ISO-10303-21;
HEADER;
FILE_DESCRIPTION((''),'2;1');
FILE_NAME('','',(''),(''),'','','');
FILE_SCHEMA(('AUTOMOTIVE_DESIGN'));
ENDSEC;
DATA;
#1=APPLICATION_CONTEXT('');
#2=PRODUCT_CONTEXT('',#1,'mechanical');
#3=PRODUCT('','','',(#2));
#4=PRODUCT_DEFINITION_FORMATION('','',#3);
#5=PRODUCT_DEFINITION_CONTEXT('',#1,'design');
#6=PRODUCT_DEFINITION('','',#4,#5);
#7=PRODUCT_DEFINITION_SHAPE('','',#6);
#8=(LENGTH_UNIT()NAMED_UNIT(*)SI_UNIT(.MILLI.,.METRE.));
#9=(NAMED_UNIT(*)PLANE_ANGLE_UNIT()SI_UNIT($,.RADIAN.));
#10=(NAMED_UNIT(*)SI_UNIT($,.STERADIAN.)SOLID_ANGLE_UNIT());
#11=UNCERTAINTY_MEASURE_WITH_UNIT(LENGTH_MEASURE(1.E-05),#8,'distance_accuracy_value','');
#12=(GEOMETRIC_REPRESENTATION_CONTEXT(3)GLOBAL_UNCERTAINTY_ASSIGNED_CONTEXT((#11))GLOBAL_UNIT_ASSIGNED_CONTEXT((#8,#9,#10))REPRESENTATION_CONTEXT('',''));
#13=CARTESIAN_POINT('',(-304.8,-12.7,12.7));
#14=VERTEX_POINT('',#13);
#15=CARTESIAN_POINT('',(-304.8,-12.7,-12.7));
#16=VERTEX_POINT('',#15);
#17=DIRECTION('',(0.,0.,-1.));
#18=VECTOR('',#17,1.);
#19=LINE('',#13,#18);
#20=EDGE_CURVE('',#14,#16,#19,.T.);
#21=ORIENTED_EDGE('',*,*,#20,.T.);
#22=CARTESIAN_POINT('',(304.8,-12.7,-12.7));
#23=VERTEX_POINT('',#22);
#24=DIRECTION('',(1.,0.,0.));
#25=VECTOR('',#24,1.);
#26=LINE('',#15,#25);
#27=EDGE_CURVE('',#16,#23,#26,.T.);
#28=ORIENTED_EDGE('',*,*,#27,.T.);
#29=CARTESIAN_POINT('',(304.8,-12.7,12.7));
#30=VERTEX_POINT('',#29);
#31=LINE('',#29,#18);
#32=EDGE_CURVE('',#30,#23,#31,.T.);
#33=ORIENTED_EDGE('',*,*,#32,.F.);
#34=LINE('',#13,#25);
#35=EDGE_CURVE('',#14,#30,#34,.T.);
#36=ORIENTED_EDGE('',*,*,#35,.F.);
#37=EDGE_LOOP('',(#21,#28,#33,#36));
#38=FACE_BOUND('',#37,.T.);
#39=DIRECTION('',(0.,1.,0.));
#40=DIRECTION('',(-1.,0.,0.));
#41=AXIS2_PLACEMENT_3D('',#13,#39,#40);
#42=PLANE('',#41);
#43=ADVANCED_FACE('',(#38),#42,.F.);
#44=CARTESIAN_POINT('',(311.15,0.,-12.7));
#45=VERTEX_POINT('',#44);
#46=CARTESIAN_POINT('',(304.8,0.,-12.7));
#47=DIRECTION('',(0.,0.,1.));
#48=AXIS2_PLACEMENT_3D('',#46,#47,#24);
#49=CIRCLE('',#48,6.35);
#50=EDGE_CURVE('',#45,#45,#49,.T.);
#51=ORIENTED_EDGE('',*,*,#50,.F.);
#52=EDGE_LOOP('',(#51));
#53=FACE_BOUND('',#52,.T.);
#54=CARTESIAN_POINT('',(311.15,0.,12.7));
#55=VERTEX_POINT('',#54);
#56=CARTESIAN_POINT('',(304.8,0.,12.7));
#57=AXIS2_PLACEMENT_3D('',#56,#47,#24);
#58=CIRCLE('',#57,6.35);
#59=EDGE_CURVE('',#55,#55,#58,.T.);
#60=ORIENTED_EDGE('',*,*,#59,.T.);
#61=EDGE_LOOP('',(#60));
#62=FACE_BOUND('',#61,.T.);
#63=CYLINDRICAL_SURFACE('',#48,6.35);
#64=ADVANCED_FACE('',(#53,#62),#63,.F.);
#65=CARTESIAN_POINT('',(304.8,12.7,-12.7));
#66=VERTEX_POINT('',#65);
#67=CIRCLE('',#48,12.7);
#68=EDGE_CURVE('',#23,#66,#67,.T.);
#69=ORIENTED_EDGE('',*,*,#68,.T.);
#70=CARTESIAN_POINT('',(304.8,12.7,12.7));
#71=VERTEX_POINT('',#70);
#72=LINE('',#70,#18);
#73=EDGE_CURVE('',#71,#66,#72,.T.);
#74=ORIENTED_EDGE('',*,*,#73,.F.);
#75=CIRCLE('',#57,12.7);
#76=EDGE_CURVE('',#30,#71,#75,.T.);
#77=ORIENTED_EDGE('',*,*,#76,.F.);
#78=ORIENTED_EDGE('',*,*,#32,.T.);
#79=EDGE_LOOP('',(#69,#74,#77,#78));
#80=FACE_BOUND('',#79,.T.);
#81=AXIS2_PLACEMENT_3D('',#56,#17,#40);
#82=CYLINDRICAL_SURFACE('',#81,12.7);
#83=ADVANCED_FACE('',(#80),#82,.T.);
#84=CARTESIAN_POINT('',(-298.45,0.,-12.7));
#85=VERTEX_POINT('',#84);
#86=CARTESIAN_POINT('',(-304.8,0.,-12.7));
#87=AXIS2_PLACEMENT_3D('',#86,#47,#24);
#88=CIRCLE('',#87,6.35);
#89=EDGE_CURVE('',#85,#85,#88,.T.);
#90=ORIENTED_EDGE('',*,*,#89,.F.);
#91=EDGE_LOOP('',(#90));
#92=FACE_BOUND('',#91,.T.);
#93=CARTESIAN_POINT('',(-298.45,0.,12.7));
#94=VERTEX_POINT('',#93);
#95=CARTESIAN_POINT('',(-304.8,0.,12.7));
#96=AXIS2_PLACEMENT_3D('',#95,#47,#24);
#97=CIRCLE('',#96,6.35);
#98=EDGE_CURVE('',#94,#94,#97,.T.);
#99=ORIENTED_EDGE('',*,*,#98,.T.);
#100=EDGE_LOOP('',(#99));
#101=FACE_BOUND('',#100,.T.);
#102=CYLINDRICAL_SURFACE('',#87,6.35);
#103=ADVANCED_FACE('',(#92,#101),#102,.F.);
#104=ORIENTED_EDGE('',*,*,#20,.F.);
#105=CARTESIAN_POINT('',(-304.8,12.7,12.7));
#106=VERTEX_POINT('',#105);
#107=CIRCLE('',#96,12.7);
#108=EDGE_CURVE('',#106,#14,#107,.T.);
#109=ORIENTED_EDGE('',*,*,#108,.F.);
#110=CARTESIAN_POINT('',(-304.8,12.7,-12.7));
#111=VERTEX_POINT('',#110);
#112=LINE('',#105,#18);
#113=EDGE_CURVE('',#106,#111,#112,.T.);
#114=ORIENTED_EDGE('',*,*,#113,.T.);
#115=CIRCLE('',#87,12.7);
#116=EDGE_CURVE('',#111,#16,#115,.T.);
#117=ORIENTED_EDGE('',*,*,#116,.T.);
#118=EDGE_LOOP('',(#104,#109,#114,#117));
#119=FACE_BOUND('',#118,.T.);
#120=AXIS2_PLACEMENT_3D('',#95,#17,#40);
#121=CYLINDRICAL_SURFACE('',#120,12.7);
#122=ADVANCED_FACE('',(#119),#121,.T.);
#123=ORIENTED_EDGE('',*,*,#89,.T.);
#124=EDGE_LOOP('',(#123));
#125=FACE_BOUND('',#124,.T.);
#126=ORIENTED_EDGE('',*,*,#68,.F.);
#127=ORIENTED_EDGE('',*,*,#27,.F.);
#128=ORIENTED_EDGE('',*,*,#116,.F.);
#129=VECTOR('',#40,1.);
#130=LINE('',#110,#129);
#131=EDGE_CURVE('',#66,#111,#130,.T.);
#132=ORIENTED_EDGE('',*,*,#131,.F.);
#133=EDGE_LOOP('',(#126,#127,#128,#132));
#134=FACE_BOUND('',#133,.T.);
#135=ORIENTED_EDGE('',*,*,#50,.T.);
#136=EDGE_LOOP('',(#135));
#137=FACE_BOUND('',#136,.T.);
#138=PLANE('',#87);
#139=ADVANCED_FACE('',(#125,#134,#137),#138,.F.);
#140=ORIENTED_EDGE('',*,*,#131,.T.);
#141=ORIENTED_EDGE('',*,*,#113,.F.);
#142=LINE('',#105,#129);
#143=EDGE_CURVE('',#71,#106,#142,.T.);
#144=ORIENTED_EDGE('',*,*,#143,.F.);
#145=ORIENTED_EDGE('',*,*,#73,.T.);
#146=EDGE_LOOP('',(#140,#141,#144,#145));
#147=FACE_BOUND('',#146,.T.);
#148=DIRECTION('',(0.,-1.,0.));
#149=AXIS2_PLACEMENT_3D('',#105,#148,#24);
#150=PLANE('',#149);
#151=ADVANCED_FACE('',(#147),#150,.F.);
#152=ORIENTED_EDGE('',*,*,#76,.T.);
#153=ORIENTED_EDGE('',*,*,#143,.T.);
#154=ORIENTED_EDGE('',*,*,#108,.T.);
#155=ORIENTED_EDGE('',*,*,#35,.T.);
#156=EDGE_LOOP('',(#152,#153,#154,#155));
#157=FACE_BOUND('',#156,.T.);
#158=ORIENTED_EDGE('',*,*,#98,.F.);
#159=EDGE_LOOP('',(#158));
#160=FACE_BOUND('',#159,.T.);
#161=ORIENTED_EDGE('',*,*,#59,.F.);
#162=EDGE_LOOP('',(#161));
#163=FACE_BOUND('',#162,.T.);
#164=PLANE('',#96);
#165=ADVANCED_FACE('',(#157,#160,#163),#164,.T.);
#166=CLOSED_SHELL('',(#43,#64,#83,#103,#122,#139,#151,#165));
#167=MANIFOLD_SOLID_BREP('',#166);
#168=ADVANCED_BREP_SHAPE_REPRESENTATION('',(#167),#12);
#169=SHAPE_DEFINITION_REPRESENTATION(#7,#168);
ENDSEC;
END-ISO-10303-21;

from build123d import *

# Parameters (mm, degrees)
BOSS_EXTRUDE1_DEPTH = 12.7
SKETCH2_R           = 6.35
CUT_EXTRUDE1_DEPTH  = 26.4


with BuildPart() as part:
    # Sketch1 → Boss-Extrude1 (new body, symmetric)
    with BuildSketch(Plane.XY):
        with BuildLine():
            Line((-304.8, 12.7), (304.8, 12.7))
            ThreePointArc((304.8, 12.7), (317.5, 0), (304.8, -12.7))
            Line((304.8, -12.7), (-304.8, -12.7))
            ThreePointArc((-304.8, -12.7), (-317.5, 0), (-304.8, 12.7))
        make_face()
    extrude(amount=BOSS_EXTRUDE1_DEPTH, both=True)

    # Sketch2 → Cut-Extrude1 (cut, through all)
    with BuildSketch(Plane.XY.offset(12.7)):
        with Locations((-304.8, 0)):
            Circle(SKETCH2_R)
        with Locations((304.8, 0)):
            Circle(SKETCH2_R)
    extrude(amount=-CUT_EXTRUDE1_DEPTH, mode=Mode.SUBTRACT)


solid = part.part
